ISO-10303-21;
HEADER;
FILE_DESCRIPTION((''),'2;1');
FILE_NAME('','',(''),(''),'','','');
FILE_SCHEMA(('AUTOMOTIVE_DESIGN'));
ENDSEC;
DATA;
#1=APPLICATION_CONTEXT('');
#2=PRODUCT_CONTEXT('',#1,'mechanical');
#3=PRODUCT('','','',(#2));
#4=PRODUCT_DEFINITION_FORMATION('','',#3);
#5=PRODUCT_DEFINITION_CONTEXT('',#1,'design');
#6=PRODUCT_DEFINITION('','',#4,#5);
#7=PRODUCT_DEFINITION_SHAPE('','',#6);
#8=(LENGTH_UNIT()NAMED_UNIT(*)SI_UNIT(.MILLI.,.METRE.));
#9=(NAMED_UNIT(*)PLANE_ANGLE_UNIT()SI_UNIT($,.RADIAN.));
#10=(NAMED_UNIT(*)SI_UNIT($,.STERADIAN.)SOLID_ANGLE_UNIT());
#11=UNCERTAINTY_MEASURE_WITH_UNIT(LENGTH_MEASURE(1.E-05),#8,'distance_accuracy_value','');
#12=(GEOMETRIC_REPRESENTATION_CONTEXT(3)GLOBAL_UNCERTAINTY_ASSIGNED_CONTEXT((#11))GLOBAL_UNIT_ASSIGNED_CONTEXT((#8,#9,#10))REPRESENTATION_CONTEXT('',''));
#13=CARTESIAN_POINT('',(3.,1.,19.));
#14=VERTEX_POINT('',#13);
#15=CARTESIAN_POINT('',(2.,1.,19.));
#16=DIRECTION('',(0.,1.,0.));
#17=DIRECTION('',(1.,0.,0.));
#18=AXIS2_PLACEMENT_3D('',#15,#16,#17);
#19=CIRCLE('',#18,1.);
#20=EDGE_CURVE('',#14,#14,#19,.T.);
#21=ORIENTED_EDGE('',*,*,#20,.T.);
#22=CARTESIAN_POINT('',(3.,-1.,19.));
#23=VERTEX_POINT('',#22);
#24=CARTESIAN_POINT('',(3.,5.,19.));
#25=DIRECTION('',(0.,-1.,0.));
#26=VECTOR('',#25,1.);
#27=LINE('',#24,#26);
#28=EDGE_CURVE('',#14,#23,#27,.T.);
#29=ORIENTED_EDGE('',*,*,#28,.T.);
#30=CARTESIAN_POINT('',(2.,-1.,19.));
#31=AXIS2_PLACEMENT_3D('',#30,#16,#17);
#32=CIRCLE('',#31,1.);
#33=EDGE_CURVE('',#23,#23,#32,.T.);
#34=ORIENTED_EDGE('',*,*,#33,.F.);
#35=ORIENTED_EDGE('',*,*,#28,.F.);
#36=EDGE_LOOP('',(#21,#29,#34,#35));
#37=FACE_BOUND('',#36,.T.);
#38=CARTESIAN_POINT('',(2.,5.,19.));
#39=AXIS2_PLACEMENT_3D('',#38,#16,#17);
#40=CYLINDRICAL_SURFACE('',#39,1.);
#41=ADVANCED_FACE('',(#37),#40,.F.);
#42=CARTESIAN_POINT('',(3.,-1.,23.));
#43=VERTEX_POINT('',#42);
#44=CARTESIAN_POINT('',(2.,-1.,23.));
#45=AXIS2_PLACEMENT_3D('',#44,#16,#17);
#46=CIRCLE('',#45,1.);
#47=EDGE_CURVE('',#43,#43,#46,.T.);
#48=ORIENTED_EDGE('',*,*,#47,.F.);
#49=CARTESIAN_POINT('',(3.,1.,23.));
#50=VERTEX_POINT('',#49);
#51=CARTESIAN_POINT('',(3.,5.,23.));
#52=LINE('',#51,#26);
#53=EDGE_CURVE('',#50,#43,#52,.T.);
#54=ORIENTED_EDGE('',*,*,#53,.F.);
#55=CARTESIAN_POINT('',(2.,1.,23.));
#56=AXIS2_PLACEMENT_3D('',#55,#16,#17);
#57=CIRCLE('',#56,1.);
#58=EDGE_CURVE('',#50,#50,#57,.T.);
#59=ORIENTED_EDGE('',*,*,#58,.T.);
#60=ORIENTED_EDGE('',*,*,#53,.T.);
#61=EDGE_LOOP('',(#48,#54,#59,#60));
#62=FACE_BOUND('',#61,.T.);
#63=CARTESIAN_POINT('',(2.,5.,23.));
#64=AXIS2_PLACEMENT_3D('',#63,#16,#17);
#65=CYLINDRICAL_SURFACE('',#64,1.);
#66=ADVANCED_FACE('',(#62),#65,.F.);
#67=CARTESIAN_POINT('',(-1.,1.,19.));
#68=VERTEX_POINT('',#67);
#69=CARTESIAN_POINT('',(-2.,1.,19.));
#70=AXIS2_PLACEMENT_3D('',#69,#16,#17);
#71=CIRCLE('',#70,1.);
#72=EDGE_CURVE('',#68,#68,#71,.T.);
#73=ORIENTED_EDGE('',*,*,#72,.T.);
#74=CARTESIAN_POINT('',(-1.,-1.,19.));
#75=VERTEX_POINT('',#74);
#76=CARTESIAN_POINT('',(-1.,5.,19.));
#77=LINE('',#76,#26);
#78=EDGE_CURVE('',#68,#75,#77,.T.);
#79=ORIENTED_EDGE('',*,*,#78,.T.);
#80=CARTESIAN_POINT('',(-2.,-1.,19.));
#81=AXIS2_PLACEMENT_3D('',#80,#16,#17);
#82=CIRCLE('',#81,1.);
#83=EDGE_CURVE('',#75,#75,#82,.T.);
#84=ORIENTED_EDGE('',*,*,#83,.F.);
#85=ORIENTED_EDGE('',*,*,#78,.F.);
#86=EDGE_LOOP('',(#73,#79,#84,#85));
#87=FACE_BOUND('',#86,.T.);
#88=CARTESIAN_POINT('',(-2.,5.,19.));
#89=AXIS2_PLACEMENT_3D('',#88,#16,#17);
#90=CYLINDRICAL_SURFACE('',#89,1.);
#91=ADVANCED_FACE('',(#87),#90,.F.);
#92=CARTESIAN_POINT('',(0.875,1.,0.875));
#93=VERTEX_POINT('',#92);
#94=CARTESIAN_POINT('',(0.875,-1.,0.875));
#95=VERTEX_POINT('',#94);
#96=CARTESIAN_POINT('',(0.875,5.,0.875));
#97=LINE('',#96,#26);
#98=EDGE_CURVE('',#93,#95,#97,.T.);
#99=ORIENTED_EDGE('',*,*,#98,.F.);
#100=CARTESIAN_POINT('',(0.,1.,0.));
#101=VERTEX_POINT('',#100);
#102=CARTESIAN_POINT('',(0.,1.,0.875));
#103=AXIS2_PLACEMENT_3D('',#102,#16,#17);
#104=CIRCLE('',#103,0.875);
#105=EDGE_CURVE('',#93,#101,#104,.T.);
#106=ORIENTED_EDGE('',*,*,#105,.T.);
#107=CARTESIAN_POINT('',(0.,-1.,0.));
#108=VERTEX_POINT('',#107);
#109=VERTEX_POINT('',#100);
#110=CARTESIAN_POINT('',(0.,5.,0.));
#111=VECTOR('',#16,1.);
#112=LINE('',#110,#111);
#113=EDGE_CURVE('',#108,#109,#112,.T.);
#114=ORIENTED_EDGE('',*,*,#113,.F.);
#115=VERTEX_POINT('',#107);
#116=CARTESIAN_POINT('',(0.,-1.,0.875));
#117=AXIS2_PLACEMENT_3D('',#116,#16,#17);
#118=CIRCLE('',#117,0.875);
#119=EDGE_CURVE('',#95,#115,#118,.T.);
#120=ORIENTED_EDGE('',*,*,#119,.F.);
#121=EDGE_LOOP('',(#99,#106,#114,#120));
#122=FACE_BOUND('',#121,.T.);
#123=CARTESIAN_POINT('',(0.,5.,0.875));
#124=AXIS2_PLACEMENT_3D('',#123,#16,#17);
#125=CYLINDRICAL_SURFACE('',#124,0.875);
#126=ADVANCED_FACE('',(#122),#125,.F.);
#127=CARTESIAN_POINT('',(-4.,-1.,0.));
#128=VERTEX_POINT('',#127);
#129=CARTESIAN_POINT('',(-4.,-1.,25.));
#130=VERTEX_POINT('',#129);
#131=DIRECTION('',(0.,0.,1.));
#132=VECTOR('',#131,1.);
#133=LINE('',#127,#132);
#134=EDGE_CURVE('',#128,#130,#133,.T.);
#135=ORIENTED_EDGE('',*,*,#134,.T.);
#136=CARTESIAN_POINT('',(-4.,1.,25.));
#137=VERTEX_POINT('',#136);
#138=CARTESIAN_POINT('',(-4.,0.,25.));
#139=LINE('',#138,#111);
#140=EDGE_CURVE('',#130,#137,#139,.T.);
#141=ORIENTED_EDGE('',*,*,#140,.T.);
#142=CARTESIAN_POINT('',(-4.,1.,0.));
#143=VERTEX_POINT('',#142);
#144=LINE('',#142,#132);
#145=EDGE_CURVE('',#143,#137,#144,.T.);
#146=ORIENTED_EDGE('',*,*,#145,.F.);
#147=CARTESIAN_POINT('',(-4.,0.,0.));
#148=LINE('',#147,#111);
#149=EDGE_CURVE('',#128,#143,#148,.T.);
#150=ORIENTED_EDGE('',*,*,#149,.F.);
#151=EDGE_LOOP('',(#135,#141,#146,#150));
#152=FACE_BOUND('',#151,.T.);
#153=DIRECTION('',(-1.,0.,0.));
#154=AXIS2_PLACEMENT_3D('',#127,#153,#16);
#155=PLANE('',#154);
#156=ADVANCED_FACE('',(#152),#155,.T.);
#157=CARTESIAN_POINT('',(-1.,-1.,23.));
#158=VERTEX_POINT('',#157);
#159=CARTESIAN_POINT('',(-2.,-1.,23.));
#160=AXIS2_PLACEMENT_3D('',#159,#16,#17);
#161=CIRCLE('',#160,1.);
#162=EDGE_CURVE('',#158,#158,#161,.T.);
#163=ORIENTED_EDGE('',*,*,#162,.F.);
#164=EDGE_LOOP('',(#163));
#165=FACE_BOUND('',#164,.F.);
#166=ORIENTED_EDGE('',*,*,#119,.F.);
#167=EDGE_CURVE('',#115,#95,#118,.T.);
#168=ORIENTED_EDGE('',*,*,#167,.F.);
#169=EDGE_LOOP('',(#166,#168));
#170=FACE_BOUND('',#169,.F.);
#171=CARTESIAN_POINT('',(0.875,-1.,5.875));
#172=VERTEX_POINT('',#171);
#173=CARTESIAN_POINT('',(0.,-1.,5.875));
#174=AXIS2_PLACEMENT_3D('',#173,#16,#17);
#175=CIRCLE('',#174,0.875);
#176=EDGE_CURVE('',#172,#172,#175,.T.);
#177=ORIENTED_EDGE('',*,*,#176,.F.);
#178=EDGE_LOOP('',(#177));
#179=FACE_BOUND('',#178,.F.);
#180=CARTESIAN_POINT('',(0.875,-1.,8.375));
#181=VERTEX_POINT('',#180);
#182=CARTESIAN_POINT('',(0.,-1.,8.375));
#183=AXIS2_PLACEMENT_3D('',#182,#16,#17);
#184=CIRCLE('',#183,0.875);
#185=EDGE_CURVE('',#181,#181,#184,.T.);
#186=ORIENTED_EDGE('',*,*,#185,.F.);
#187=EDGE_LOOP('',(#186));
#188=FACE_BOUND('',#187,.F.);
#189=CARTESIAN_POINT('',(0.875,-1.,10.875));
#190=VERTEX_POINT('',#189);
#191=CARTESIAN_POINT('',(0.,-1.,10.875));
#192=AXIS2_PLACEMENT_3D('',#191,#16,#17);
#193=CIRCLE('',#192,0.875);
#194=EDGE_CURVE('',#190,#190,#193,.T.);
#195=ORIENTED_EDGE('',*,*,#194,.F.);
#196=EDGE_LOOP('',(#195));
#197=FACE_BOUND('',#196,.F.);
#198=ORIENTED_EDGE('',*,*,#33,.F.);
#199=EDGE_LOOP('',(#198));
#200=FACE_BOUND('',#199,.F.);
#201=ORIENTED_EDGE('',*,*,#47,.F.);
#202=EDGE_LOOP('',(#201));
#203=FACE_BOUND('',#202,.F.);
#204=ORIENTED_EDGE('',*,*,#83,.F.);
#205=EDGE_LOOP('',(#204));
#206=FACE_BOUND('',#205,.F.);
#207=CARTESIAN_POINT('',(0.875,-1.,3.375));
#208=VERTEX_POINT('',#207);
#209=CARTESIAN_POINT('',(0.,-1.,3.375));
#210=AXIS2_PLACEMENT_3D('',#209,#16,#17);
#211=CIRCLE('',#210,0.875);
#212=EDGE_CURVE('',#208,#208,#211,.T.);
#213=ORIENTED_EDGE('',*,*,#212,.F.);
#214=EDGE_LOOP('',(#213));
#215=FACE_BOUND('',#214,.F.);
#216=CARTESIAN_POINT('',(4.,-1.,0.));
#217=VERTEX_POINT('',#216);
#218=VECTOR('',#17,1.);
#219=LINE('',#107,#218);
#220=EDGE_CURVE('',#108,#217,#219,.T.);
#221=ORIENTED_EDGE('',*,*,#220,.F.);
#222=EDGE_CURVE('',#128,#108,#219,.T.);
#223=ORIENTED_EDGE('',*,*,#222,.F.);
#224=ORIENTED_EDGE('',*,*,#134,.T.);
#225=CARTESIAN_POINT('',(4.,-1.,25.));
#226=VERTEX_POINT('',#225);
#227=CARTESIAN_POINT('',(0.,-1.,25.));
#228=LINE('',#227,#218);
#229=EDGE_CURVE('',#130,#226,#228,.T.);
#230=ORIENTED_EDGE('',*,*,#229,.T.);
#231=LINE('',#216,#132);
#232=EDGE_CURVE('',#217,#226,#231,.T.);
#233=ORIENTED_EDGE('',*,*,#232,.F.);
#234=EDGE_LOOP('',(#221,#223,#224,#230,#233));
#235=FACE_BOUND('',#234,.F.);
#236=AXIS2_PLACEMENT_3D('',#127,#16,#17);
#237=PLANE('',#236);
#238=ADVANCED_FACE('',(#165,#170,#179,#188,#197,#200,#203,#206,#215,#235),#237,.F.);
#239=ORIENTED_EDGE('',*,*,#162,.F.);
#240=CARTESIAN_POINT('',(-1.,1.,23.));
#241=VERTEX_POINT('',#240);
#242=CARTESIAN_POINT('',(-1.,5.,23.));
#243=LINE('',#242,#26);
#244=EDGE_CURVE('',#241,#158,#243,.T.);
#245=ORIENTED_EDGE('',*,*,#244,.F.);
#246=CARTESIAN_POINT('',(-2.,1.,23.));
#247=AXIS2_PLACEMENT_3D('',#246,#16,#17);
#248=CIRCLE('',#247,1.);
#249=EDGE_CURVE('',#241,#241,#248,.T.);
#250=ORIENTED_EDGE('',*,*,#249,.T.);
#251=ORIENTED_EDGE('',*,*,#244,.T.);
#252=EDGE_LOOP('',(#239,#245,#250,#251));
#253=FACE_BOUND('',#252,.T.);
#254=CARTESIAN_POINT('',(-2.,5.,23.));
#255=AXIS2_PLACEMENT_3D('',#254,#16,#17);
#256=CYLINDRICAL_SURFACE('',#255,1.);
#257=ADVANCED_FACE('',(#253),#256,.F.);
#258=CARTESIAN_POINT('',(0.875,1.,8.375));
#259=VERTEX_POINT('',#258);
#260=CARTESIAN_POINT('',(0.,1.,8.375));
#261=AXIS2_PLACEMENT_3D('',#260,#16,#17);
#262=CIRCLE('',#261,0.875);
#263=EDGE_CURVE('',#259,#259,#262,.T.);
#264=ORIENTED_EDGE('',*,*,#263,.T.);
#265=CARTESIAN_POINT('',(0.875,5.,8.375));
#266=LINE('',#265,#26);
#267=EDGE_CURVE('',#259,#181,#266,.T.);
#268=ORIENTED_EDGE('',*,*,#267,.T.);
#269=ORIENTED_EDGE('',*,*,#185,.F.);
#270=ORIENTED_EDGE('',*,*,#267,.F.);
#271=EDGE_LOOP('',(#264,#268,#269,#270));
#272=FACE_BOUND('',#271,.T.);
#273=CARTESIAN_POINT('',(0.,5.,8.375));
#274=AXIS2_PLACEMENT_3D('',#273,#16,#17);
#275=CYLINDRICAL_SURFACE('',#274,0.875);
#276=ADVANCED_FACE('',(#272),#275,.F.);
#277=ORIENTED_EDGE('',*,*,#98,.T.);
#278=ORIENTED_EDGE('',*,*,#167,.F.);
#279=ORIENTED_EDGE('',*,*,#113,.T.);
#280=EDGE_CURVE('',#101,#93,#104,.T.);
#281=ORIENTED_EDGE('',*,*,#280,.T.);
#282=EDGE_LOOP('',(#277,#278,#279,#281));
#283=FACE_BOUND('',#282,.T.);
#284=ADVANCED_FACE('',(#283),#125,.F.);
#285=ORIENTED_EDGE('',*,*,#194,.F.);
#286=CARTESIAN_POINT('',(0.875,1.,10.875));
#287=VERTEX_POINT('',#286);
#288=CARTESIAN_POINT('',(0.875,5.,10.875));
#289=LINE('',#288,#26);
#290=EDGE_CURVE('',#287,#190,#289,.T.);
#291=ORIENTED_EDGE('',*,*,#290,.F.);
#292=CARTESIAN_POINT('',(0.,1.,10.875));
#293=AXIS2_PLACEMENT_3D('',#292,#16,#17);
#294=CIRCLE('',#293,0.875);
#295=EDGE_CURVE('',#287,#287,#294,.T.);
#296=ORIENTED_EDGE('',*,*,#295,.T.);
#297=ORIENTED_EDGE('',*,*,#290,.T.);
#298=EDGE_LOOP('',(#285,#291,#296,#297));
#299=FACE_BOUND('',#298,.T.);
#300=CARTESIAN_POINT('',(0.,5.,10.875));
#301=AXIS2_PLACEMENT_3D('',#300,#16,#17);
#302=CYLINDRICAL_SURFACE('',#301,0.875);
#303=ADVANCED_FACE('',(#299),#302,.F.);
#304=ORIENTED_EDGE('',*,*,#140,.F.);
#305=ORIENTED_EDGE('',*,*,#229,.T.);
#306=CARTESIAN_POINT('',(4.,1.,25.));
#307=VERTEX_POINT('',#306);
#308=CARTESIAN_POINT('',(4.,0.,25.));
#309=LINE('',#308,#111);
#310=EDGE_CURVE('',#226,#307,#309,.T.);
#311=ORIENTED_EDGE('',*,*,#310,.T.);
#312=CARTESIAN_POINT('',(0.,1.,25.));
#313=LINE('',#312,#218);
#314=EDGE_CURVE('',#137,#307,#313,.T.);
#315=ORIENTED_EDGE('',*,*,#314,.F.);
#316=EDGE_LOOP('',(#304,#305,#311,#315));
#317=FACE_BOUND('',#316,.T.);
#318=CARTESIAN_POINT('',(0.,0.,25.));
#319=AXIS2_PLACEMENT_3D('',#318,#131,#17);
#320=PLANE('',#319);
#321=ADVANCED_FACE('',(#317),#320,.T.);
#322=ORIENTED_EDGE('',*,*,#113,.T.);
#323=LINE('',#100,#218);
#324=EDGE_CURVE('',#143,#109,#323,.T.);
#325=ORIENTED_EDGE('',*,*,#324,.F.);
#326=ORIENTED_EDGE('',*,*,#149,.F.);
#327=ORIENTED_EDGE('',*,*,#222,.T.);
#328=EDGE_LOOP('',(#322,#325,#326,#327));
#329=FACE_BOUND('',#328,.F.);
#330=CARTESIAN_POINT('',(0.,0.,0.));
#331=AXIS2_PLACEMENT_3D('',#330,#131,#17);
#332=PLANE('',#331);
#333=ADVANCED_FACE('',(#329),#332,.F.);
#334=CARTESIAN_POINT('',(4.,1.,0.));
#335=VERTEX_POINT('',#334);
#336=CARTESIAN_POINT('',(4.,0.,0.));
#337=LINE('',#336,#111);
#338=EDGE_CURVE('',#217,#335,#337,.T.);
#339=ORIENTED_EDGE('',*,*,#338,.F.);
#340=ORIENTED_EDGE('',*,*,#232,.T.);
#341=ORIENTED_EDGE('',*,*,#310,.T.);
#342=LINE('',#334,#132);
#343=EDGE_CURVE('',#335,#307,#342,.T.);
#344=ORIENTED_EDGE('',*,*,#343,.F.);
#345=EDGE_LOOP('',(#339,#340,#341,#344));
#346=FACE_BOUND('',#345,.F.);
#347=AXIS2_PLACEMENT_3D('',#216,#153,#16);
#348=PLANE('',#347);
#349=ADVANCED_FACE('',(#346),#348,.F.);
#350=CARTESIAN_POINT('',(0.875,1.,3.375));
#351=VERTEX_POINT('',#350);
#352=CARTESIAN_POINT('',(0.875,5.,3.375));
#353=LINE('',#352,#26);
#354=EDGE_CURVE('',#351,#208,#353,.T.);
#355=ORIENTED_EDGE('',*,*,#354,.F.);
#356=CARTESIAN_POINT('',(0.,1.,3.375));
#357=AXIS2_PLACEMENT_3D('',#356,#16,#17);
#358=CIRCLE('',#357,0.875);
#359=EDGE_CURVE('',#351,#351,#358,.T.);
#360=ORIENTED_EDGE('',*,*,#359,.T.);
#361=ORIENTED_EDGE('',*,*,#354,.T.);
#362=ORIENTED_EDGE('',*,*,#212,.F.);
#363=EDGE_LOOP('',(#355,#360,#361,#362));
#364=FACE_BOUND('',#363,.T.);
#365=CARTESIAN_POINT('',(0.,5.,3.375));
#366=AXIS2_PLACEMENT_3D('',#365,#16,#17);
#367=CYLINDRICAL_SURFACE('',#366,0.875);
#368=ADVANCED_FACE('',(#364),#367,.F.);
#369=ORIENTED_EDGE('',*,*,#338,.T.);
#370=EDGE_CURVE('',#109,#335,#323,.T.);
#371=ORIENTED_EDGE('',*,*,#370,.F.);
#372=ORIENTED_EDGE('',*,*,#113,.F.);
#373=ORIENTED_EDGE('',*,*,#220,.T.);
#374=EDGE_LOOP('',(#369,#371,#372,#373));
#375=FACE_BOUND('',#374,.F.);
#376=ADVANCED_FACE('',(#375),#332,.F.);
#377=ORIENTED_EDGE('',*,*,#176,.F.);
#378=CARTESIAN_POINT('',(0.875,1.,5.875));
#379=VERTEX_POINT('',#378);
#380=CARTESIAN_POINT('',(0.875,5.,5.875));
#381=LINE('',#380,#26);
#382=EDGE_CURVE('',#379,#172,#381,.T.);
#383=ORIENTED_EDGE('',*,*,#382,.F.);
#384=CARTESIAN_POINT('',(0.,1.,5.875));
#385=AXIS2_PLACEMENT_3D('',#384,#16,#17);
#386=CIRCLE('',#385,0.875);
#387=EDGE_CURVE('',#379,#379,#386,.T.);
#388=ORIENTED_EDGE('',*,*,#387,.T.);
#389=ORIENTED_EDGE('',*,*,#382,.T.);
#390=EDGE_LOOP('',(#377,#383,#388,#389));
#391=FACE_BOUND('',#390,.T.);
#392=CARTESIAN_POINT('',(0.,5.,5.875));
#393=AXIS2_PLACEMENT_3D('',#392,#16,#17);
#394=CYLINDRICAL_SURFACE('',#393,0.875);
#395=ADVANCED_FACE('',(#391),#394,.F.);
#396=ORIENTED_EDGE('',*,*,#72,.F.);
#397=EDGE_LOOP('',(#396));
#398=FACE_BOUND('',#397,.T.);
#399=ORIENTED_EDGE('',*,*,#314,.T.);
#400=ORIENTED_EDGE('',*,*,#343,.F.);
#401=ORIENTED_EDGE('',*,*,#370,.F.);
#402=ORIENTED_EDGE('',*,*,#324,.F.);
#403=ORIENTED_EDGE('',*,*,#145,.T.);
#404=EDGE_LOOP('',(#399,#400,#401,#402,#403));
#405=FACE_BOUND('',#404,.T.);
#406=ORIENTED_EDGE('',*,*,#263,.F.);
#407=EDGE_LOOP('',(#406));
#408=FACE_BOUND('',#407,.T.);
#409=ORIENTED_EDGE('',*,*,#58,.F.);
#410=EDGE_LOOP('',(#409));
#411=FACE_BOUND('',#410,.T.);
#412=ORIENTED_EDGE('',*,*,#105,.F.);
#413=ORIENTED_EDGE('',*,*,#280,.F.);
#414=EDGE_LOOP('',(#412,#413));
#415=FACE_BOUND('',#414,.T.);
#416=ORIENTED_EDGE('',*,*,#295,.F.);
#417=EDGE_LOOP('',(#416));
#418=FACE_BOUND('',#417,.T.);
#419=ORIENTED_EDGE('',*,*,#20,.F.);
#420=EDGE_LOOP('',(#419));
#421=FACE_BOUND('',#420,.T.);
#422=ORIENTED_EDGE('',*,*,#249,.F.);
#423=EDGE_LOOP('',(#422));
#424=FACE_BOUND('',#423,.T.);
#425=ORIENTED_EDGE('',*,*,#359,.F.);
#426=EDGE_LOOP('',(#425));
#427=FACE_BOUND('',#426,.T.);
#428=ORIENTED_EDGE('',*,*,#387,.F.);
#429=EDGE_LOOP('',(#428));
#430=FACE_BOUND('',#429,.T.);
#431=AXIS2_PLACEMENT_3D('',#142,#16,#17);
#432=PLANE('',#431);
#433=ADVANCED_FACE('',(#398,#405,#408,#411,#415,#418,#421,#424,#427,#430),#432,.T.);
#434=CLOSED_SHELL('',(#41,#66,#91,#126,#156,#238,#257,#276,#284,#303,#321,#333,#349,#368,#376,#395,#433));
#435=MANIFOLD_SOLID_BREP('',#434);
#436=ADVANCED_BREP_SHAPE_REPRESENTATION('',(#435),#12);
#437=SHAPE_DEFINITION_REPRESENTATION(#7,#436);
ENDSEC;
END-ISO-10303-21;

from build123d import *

# Parameters (mm, degrees)
CYLINDER019_R     = 1
CYLINDER019_DEPTH = 10
ARRAY022_X_COUNT  = 2
ARRAY022_X_PITCH  = 4
ARRAY022_Z_COUNT  = 2
ARRAY022_Z_PITCH  = 4
CYLINDER018_R     = 0.875
CYLINDER018_DEPTH = 10
ARRAY020_Z_COUNT  = 5
ARRAY020_Z_PITCH  = 2.5
BOX014_W          = 8
BOX014_H          = 2
BOX014_DEPTH      = 25


with BuildPart() as cameramountplaneconnectorscrews:
    # Cylinder019 → Cylinder019 (new body)
    with BuildSketch(Plane(origin=(2, 5, 19), x_dir=(1, 0, 0), z_dir=(0, -1, 0))):
        Circle(CYLINDER019_R)
    extrude(amount=CYLINDER019_DEPTH)

    # Array022 X: CameraMountPlaneConnectorScrews ×2


with BuildPart() as cameramountplaneconnectorscrews_1:
    add(cameramountplaneconnectorscrews.part)
    with Locations(*[(-i * ARRAY022_X_PITCH, 0, 0) for i in range(1, ARRAY022_X_COUNT)]):
        add(cameramountplaneconnectorscrews.part)

    # Array022 Z: CameraMountPlaneConnectorScrews ×2


with BuildPart() as cameramountplaneconnectorscrews_2:
    add(cameramountplaneconnectorscrews_1.part)
    with Locations(*[(0, 0, i * ARRAY022_Z_PITCH) for i in range(1, ARRAY022_Z_COUNT)]):
        add(cameramountplaneconnectorscrews_1.part)


with BuildPart() as servoscrewcutters:
    # Cylinder018 → Cylinder018 (new body)
    with BuildSketch(Plane(origin=(0, 5, 0.875), x_dir=(1, 0, 0), z_dir=(0, -1, 0))):
        Circle(CYLINDER018_R)
    extrude(amount=CYLINDER018_DEPTH)

    # Array020 Z: ServoScrewCutters ×5


with BuildPart() as servoscrewcutters_1:
    add(servoscrewcutters.part)
    with Locations(*[(0, 0, i * ARRAY020_Z_PITCH) for i in range(1, ARRAY020_Z_COUNT)]):
        add(servoscrewcutters.part)


with BuildPart() as cameraservostick2:
    # Box014 → Box014 (new body)
    with BuildSketch(Plane(origin=(-4, -1, 0), x_dir=(1, 0, 0), z_dir=(0, 0, 1))):
        with Locations((4, 1)):
            Rectangle(BOX014_W, BOX014_H)
    extrude(amount=BOX014_DEPTH)

    # Cut040: cut ServoScrewCutters
    add(servoscrewcutters_1.part, mode=Mode.SUBTRACT)

    # Cut041: cut CameraMountPlaneConnectorScrews
    add(cameramountplaneconnectorscrews_2.part, mode=Mode.SUBTRACT)


solid = cameraservostick2.part
